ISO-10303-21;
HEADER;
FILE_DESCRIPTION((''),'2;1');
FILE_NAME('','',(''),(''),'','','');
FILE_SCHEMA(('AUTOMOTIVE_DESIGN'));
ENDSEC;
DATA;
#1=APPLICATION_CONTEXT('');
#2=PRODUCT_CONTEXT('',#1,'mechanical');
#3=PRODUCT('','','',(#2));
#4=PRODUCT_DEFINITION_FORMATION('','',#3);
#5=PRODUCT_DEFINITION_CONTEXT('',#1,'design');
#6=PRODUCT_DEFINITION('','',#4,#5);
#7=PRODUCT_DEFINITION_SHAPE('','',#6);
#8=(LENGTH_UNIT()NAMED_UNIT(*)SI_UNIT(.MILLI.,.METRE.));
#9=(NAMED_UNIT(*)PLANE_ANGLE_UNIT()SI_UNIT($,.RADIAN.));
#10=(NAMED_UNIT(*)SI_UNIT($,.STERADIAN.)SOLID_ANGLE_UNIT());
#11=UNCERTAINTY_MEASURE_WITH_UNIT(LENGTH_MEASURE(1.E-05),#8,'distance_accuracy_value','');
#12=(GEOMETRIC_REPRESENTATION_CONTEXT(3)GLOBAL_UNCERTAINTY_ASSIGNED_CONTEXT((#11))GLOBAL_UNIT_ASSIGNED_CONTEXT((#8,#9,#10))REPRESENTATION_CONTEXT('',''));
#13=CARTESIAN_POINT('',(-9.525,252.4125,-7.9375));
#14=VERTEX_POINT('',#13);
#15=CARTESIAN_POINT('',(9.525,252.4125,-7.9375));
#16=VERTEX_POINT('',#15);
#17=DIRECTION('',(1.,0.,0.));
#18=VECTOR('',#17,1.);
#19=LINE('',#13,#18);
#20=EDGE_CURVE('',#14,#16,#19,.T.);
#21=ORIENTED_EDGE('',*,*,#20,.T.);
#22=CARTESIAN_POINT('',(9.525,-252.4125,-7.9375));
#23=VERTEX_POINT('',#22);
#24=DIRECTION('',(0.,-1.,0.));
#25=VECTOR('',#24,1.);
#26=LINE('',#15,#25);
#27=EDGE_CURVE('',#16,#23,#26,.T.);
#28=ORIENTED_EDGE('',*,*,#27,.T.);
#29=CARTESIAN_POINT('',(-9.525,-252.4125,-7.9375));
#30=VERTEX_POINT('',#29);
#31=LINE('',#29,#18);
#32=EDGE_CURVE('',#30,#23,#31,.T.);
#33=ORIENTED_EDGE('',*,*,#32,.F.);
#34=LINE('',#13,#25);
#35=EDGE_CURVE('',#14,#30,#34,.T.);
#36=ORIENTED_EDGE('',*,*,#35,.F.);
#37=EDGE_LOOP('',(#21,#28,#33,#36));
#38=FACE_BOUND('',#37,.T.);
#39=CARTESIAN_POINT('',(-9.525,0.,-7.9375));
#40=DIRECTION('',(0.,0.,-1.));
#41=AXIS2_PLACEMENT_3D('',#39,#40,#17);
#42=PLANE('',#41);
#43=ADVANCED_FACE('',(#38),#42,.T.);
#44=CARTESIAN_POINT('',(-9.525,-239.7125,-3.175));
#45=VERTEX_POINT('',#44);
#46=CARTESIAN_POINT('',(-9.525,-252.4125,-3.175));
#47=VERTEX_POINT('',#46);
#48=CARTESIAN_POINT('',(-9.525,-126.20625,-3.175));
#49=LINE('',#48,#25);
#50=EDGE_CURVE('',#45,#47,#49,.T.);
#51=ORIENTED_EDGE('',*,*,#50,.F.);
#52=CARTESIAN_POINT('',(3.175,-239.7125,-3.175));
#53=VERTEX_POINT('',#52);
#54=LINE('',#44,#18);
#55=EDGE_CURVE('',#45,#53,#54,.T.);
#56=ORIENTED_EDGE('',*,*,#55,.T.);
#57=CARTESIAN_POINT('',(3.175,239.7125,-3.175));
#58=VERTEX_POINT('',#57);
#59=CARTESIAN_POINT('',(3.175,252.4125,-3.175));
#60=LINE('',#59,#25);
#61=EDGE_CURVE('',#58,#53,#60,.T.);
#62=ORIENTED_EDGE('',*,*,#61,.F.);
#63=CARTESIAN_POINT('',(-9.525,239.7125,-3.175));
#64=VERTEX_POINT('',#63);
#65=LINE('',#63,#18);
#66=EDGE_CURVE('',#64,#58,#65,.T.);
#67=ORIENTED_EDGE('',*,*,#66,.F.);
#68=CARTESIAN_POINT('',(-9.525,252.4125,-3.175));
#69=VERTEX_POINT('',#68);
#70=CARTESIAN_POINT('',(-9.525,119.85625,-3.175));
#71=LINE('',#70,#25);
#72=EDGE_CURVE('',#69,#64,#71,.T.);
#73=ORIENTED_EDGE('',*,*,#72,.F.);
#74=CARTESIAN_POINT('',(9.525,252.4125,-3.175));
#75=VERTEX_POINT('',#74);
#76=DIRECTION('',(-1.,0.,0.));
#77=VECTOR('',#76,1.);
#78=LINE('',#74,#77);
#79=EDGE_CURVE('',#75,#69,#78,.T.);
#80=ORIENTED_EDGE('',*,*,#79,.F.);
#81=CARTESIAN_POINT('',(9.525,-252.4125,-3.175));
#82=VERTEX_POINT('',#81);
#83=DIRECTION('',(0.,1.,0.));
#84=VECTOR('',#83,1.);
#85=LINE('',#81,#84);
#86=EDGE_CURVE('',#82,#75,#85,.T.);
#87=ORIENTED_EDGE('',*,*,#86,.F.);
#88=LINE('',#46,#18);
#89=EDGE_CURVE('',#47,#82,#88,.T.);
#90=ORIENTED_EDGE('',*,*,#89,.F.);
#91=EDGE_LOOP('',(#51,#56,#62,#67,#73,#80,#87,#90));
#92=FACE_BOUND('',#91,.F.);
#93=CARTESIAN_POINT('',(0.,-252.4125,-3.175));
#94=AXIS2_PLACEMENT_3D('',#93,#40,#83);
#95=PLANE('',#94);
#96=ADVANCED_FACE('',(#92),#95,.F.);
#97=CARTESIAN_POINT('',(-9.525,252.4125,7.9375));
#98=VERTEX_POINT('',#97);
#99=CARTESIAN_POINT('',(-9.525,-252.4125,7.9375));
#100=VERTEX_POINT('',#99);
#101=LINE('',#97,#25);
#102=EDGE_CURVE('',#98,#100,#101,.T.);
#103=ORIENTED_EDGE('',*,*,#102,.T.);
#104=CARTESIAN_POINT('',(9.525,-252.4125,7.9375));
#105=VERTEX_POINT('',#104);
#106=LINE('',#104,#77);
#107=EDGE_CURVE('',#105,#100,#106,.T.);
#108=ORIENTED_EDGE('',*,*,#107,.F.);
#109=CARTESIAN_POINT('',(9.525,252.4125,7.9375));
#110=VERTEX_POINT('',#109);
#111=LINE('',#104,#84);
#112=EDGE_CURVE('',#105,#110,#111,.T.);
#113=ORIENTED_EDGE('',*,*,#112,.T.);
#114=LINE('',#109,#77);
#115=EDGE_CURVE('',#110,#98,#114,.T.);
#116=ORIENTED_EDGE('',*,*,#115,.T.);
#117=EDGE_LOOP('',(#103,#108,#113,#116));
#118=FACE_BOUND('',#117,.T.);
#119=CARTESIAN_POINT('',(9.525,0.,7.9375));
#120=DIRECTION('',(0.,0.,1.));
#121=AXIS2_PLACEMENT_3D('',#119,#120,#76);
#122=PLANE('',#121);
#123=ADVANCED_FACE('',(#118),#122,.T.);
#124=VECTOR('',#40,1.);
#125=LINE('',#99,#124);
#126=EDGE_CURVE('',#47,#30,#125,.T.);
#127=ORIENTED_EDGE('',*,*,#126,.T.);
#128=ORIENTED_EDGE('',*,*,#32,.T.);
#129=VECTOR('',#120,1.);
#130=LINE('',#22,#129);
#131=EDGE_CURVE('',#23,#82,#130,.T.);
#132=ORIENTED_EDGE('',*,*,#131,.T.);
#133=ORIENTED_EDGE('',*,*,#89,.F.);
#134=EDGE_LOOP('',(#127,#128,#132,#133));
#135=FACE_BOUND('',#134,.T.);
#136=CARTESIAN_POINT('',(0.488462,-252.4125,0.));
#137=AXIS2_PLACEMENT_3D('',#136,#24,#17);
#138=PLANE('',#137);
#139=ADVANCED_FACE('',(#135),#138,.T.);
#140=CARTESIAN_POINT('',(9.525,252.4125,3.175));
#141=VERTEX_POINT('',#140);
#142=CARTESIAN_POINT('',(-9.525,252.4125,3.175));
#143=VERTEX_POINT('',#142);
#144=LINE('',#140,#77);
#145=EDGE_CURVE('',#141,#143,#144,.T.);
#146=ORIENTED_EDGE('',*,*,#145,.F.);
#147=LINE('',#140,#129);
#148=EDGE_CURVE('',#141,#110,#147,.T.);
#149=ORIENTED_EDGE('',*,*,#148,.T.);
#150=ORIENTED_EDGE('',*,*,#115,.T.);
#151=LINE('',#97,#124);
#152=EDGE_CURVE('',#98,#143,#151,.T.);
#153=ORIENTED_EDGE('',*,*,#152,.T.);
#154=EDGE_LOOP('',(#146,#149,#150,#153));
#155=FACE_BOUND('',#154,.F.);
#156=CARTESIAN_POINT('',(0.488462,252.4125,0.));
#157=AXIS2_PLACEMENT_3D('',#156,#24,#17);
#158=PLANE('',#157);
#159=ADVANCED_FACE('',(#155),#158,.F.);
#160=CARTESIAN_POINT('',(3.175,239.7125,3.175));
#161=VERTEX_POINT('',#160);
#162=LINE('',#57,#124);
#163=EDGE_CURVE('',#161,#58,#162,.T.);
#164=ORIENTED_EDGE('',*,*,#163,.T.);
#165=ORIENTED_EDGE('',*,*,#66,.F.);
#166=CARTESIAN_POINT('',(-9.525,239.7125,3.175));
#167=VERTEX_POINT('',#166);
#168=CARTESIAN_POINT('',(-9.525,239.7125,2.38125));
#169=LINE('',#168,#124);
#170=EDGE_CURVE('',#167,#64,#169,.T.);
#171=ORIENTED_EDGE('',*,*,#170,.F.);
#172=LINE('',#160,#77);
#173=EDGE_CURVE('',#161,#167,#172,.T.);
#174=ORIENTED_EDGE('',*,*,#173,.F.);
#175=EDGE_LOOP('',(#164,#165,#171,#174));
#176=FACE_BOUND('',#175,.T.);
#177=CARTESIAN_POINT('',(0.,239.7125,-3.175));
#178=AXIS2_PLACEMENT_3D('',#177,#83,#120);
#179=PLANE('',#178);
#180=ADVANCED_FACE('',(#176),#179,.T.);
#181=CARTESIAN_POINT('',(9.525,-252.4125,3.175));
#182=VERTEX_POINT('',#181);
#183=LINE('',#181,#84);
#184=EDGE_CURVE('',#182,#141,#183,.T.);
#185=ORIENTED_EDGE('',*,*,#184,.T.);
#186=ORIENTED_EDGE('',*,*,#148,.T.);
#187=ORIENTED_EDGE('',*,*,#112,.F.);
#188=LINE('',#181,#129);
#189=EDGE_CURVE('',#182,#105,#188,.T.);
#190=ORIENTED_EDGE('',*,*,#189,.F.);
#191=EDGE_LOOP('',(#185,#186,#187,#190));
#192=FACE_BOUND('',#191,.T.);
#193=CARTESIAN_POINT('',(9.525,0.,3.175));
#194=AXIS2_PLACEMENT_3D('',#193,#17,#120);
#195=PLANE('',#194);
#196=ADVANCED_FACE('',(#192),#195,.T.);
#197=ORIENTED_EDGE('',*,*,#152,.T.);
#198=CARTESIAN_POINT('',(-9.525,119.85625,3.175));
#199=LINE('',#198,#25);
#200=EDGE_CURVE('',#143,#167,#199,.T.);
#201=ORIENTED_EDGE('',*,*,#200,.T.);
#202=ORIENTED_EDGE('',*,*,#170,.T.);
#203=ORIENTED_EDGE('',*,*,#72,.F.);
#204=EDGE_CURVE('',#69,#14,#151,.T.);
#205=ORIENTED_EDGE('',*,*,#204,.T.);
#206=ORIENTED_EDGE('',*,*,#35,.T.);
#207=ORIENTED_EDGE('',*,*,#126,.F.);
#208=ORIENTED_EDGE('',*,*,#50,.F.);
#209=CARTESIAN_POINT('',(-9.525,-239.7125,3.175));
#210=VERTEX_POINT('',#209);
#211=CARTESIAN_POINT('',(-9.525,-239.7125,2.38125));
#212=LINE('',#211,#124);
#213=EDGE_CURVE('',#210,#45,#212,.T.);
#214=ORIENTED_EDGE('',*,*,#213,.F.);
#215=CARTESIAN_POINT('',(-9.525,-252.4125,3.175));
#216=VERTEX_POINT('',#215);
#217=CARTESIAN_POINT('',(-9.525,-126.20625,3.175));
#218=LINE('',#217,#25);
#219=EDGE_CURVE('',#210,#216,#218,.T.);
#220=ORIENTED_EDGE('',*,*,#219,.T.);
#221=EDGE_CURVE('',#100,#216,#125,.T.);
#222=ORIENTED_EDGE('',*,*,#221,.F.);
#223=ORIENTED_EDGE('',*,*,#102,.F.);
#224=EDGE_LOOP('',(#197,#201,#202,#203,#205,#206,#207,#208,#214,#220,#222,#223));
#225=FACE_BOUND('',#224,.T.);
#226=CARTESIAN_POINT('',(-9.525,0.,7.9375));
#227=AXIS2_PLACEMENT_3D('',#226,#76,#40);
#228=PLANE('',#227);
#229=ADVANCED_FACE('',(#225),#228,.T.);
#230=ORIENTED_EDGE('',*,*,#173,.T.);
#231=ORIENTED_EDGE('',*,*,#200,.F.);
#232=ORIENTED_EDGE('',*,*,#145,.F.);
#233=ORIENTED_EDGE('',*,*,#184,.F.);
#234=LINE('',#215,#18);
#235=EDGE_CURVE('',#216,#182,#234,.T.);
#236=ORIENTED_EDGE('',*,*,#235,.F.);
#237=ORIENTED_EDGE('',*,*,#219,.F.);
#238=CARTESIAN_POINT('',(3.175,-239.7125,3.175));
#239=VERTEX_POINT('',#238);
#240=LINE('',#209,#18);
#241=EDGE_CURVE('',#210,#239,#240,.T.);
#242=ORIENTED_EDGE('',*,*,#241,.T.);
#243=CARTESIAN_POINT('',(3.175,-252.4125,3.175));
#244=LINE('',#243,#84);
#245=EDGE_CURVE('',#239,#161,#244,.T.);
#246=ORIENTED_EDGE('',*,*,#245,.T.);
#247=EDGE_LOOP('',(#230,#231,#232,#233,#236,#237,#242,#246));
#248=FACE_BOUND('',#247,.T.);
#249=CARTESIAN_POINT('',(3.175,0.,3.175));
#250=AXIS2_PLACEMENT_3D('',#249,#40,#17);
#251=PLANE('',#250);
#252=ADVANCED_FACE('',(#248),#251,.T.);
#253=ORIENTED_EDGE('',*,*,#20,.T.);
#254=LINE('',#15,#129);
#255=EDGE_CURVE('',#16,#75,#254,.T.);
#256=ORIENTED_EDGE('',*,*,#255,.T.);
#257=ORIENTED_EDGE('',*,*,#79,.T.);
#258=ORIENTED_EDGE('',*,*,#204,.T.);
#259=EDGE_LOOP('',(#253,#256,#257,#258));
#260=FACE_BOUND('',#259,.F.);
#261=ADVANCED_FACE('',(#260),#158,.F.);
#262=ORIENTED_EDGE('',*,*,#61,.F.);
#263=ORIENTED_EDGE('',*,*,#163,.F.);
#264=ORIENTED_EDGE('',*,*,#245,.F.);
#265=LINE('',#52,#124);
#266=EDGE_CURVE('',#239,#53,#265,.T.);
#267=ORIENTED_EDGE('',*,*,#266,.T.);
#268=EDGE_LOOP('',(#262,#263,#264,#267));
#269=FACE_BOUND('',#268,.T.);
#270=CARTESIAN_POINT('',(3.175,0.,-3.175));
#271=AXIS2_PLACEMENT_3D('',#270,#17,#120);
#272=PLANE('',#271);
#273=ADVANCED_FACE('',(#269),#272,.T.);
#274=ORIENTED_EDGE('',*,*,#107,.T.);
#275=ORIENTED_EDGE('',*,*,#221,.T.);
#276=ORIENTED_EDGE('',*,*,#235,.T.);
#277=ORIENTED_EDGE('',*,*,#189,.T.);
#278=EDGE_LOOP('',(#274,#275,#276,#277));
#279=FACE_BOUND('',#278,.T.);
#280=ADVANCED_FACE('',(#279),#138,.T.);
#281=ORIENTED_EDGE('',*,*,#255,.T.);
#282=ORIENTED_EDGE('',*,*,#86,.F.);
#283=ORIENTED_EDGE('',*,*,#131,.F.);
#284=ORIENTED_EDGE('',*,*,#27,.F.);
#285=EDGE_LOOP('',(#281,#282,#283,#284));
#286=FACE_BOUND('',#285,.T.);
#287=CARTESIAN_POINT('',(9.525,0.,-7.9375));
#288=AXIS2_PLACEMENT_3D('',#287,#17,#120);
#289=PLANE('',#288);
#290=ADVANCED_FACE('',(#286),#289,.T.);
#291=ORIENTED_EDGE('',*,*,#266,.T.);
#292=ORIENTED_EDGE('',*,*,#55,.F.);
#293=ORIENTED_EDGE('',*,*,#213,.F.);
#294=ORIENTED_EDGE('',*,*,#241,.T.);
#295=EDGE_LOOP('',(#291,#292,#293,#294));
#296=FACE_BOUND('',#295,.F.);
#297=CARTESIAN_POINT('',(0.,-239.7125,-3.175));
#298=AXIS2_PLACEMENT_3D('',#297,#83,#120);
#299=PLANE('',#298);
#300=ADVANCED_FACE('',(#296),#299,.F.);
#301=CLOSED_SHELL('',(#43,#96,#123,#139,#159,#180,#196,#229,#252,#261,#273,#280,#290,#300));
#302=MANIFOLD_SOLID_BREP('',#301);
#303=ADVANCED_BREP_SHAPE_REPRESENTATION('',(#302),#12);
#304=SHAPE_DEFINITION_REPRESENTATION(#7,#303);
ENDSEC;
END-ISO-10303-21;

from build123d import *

# Parameters (mm, degrees)
F1_DEPTH      = 252.4125
F2_W          = 12.7
F2_H          = 6.35
F3_DEPTH      = 9.526
F3_DEPTH_BACK = 9.526


with BuildPart() as f1:
    # F0 (on Front) → F1 (new body, symmetric)
    with BuildSketch(Plane.XZ):
        Polygon((9.525, 7.9375), (-9.525, 7.9375), (-9.525, -7.9375), (9.525, -7.9375), (9.525, -3.175), (3.175, -3.175), (3.175, 3.175), (9.525, 3.175), align=None)
    extrude(amount=F1_DEPTH, both=True)

    # F2 (on Right) → F3 (cut, two sides)
    with BuildSketch(Plane.YZ) as f3_sk:
        with Locations((-246.0625, 0)):
            Rectangle(F2_W, F2_H)
        with Locations((246.0625, 0)):
            Rectangle(F2_W, F2_H)
    extrude(amount=-F3_DEPTH, mode=Mode.SUBTRACT)
    extrude(f3_sk.sketch, amount=F3_DEPTH_BACK, mode=Mode.SUBTRACT)


solid = f1.part
